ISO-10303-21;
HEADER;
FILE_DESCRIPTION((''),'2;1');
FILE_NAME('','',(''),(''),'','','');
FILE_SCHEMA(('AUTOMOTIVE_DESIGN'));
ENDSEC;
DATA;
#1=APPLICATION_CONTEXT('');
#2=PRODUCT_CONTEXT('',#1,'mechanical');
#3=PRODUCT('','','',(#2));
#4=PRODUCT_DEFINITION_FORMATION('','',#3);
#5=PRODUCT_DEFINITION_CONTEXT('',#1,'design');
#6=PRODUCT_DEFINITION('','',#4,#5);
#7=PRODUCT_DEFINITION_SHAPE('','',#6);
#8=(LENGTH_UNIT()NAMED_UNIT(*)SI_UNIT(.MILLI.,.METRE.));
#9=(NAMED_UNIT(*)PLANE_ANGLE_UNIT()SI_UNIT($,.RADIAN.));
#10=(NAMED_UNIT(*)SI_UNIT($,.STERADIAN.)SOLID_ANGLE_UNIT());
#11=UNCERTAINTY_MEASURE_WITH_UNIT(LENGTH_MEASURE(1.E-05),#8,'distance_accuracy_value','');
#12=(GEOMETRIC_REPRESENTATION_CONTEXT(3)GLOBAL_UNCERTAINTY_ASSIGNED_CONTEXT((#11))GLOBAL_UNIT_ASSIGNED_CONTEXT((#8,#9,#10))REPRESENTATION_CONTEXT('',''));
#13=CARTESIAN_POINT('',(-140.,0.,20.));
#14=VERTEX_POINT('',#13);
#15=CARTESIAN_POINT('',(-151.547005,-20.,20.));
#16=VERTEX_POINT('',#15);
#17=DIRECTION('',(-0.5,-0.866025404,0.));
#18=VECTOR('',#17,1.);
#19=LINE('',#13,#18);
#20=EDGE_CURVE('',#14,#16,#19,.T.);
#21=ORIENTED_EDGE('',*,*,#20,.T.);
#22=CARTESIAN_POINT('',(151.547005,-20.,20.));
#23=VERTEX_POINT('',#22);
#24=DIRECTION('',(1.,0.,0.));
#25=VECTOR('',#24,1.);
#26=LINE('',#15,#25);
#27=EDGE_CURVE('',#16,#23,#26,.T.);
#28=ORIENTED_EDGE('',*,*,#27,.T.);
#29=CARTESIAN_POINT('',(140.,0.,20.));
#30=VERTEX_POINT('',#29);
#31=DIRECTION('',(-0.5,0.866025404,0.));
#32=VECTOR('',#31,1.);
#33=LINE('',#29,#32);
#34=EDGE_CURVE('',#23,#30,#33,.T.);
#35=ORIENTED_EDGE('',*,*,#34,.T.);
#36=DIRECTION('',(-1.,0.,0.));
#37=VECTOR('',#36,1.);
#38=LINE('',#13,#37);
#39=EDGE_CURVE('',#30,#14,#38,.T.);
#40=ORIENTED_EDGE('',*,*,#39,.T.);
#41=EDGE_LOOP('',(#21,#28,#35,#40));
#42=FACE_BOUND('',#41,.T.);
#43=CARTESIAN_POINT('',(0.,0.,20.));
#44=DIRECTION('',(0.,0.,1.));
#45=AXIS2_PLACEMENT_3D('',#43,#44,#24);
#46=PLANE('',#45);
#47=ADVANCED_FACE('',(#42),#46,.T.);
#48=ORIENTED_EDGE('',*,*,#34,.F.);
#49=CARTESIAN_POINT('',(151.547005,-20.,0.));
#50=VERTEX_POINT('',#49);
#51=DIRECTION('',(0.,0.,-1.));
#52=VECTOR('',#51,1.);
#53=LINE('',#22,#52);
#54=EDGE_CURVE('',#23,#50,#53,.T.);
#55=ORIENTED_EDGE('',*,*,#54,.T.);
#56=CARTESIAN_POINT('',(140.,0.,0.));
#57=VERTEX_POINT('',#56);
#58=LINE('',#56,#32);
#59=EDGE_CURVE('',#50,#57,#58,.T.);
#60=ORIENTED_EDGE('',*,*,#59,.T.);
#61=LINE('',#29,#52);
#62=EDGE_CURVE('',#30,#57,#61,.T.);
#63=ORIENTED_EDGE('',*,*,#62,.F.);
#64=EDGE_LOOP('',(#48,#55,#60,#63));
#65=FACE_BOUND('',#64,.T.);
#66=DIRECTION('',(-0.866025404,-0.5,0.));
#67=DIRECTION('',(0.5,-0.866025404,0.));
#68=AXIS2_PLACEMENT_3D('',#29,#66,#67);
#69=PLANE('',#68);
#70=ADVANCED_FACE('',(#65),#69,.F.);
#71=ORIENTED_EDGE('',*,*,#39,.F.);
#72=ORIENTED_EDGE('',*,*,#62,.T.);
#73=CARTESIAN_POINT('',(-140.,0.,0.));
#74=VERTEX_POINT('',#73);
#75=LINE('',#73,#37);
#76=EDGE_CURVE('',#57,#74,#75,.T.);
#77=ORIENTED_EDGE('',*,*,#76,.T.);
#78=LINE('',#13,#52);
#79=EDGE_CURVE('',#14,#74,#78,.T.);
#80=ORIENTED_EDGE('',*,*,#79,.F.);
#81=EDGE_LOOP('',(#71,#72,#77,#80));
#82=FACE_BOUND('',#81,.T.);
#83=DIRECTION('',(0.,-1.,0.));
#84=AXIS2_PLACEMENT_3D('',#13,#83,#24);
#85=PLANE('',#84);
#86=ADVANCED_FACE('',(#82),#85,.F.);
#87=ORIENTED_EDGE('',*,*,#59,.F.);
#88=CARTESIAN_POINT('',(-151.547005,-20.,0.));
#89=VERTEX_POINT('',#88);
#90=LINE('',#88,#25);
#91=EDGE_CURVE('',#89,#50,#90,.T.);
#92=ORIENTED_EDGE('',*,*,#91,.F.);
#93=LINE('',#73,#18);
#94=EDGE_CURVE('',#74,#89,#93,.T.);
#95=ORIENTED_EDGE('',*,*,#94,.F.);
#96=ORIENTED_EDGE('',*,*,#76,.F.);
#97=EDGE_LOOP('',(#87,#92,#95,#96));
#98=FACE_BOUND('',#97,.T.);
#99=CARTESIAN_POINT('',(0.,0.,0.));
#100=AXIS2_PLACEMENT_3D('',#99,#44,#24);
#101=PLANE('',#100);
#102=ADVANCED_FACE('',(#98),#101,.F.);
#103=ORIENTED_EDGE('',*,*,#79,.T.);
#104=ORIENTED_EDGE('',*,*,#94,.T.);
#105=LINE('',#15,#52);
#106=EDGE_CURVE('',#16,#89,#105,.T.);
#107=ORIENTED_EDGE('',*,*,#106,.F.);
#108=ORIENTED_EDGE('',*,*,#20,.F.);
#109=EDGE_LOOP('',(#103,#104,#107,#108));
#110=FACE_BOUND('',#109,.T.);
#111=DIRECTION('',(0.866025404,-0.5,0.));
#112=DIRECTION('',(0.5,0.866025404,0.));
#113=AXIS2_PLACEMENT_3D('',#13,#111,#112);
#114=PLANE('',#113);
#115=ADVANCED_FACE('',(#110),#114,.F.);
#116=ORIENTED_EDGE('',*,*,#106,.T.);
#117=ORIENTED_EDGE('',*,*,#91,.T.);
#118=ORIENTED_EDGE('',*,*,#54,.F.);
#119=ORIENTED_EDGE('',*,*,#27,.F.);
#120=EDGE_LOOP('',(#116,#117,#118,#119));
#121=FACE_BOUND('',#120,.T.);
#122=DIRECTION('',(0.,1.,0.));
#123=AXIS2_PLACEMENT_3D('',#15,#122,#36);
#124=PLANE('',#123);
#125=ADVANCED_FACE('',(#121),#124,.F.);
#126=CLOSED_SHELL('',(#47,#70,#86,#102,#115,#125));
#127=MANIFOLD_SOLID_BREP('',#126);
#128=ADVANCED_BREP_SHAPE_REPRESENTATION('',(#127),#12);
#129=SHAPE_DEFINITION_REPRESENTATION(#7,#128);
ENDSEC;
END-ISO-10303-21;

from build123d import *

# Parameters (mm, degrees)
BOSS_EXTRUDE2_DEPTH = 20


with BuildPart() as part:
    # Sketch1 → Boss-Extrude2 (new body)
    with BuildSketch(Plane.XY):
        Polygon((-140, 0), (140, 0), (151.547005384, -20), (-151.547005384, -20), align=None)
    extrude(amount=BOSS_EXTRUDE2_DEPTH)


solid = part.part
